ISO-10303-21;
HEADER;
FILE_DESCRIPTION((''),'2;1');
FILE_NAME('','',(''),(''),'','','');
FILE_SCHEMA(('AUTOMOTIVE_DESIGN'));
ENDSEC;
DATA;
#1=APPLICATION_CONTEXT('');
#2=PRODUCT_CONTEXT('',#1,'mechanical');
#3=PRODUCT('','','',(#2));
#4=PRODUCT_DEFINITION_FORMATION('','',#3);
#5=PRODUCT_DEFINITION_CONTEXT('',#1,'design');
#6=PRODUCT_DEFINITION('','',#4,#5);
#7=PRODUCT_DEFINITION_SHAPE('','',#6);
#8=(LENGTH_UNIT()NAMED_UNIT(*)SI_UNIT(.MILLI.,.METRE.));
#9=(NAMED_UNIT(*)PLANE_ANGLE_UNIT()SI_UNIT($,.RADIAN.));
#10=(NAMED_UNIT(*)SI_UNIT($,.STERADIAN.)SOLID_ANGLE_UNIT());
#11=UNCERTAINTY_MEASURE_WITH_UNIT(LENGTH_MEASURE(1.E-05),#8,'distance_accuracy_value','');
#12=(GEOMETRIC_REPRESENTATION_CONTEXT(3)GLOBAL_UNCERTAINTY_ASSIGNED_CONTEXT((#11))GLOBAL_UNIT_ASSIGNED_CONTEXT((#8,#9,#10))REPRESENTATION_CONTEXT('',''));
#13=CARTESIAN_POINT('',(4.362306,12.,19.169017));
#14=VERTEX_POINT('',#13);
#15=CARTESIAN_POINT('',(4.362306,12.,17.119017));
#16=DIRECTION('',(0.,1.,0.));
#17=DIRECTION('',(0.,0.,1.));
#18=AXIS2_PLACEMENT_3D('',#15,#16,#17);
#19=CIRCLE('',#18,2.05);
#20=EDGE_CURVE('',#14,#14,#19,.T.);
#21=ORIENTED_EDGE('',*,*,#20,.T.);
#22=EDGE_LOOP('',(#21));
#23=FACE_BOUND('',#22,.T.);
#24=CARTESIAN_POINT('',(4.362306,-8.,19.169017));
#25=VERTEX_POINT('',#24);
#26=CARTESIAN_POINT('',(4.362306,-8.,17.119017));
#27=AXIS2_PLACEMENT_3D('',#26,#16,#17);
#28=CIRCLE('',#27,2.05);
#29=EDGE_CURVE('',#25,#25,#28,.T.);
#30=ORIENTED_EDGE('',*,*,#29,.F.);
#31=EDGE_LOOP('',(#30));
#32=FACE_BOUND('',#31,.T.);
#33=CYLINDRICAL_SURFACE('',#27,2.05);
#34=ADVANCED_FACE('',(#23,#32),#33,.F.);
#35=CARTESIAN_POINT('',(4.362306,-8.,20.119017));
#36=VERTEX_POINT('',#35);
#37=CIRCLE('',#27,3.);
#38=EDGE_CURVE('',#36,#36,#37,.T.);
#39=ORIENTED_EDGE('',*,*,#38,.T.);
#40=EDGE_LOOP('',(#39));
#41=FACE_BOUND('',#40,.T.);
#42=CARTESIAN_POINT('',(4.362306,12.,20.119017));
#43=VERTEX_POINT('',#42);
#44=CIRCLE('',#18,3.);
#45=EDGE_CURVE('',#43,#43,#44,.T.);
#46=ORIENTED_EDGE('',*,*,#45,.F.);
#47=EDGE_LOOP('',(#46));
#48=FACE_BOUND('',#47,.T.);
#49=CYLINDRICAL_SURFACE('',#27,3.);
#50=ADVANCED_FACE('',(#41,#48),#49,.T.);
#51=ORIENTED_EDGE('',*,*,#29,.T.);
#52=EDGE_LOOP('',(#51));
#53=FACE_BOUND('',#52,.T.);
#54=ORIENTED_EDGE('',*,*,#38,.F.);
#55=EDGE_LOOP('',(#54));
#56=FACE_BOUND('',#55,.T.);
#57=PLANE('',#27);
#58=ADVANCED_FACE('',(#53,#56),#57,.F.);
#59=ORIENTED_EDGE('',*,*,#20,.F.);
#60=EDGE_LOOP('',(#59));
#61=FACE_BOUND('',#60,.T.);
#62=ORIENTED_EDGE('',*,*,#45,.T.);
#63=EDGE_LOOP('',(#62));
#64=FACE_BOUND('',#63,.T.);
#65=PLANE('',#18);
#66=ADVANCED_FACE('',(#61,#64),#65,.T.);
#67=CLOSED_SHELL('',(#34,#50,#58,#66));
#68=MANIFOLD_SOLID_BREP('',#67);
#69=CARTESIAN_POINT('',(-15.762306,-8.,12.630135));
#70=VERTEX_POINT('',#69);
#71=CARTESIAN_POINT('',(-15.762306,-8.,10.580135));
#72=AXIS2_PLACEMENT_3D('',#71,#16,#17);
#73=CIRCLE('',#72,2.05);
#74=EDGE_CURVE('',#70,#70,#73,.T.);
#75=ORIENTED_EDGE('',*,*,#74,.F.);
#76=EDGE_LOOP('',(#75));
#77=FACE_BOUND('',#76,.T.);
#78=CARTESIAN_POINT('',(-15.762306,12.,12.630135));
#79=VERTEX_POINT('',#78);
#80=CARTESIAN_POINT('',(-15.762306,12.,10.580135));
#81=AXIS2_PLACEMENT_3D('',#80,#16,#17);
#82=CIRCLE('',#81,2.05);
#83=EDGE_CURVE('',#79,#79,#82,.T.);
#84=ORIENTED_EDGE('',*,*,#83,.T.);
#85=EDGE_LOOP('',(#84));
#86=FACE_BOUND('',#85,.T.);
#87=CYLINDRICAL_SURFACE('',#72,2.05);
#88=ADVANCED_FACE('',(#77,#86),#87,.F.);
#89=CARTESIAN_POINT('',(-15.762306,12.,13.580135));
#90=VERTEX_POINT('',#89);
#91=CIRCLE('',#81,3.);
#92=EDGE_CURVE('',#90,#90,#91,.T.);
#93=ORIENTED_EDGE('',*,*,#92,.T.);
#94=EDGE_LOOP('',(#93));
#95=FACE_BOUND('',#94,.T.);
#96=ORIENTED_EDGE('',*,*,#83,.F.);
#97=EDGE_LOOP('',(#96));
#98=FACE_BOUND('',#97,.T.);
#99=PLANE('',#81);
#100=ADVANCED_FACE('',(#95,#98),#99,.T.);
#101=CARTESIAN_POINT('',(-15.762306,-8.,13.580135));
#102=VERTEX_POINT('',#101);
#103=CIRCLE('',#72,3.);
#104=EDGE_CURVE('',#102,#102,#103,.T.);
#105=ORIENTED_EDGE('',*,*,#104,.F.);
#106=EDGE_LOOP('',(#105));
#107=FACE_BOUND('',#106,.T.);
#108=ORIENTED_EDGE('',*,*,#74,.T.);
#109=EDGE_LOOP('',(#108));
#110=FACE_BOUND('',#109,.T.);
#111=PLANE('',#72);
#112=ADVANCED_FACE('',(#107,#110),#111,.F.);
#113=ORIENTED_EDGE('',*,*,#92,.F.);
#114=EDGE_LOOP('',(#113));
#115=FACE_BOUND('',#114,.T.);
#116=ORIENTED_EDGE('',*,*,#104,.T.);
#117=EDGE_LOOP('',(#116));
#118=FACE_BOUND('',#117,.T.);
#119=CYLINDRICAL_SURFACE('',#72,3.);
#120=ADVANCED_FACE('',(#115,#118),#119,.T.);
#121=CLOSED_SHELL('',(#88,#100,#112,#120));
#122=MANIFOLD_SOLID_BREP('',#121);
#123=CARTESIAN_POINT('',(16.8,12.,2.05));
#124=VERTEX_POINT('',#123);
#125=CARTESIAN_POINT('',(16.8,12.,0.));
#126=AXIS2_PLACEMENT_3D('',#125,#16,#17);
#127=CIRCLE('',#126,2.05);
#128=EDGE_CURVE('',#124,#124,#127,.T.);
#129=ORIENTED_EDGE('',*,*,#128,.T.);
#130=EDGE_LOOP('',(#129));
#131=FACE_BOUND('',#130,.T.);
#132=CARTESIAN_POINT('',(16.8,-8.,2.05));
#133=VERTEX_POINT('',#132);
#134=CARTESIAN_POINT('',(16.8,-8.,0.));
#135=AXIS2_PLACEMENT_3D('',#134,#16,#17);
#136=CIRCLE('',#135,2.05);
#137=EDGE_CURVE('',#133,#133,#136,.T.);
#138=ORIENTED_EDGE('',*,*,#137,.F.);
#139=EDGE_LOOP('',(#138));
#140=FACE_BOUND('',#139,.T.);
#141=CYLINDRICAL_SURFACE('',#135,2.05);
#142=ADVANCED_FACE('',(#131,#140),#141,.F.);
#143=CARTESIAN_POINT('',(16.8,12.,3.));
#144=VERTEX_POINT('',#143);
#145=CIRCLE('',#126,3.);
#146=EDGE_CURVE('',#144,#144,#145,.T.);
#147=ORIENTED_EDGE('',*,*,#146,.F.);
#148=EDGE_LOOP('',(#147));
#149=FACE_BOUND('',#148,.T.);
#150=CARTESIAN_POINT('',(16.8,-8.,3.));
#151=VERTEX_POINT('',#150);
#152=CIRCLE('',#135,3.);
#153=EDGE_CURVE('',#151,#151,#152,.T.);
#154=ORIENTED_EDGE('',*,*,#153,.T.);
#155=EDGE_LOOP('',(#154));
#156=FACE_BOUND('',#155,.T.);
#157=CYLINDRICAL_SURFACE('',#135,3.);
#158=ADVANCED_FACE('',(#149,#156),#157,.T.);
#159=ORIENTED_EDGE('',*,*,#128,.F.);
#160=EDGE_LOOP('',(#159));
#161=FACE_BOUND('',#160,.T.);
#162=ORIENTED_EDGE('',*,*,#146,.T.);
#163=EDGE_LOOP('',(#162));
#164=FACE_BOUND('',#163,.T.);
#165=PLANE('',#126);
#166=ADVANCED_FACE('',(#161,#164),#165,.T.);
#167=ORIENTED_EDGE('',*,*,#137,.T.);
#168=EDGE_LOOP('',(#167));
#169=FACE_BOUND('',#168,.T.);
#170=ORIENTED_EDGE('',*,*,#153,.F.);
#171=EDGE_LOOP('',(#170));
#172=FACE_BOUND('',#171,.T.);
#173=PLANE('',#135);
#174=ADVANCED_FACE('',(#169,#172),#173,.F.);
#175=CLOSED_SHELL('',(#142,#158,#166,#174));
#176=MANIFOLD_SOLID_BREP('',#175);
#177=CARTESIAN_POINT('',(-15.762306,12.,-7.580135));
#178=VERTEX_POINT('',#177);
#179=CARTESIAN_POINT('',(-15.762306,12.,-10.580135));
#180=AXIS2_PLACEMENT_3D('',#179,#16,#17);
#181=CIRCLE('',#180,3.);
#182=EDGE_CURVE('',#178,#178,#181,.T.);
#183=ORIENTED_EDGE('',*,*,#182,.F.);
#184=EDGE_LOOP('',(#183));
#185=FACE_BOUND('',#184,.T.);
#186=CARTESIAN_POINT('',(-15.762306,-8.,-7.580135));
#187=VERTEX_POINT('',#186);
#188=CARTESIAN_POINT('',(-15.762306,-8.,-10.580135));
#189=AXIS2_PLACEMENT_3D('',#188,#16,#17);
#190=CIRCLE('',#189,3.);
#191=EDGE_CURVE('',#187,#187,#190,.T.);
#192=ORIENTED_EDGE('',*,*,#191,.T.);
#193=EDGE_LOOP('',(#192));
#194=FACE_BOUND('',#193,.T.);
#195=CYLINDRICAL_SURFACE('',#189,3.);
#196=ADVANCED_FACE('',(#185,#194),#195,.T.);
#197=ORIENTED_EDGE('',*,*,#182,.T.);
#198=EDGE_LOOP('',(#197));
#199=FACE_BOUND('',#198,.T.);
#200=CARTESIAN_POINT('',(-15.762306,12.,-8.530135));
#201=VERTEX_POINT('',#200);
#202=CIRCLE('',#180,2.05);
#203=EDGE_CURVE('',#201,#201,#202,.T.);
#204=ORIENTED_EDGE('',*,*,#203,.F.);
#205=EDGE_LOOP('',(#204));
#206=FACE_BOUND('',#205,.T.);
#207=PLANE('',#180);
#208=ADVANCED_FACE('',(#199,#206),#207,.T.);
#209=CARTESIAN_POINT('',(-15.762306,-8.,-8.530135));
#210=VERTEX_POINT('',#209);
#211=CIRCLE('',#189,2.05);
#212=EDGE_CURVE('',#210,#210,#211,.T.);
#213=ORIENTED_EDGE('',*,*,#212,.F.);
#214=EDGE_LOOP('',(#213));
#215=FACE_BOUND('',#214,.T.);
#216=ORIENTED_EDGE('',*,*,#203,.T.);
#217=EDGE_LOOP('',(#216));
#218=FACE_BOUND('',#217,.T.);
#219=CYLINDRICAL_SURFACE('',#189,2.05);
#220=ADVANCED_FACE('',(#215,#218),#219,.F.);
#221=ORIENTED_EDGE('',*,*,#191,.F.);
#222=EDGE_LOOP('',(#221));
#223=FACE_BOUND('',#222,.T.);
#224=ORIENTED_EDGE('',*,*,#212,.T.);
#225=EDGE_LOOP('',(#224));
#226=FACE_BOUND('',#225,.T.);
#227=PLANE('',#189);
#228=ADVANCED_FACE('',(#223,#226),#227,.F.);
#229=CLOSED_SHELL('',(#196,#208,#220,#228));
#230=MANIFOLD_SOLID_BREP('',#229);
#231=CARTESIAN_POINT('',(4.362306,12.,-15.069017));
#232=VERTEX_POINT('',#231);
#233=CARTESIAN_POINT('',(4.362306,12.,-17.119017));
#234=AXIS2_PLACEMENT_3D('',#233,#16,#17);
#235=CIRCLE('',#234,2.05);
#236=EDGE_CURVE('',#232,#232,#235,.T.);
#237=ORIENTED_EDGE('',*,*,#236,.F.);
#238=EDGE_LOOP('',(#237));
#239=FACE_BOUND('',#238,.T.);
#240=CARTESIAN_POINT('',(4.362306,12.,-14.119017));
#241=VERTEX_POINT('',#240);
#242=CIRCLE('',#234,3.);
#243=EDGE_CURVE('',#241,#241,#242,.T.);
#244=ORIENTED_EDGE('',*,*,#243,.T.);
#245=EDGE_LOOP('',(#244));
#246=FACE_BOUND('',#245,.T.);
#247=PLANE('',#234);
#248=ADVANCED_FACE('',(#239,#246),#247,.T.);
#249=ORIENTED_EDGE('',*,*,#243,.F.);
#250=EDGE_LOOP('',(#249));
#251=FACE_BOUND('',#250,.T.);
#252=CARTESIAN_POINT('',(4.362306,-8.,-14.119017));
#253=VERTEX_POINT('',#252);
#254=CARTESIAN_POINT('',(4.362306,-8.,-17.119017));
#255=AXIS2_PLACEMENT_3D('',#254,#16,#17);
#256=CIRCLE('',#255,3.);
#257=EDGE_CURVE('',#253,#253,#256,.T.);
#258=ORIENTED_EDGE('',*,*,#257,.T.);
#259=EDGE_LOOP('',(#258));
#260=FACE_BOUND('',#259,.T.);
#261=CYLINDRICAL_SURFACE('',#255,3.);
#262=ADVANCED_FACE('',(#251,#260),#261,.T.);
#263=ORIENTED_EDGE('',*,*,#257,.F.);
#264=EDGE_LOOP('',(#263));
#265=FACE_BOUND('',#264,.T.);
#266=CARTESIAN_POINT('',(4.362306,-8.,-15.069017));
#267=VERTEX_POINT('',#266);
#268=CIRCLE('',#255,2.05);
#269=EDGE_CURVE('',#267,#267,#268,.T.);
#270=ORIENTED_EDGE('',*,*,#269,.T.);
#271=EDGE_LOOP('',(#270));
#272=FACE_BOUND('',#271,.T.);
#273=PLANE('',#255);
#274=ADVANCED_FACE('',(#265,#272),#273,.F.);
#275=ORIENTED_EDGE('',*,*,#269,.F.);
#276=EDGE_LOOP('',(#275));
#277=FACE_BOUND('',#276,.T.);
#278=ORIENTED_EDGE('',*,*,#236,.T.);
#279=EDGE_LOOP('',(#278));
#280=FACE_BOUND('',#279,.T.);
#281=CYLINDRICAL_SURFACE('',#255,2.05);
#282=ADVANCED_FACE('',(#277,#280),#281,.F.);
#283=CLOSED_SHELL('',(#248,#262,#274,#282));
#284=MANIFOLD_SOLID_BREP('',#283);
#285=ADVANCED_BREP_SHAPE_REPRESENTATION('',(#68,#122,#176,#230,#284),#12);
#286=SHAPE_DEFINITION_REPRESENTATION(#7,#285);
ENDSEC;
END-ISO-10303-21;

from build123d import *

# Parameters (mm, degrees)
BOSS_EXTRUDE1_DEPTH        = 12
BOSS_EXTRUDE1_DEPTH_BACK   = 8
SKETCH1_R                  = 3
SKETCH1_R_2                = 2.05
BOSS_EXTRUDE1_2_DEPTH      = 12
BOSS_EXTRUDE1_2_DEPTH_BACK = 8
BOSS_EXTRUDE1_3_DEPTH      = 12
BOSS_EXTRUDE1_3_DEPTH_BACK = 8
BOSS_EXTRUDE1_4_DEPTH      = 12
BOSS_EXTRUDE1_4_DEPTH_BACK = 8
BOSS_EXTRUDE1_5_DEPTH      = 12
BOSS_EXTRUDE1_5_DEPTH_BACK = 8


with BuildPart() as part:
    # Sketch1 → Boss-Extrude1 (new, two sides: drawn at the far end of the back side and taken through both)
    with BuildSketch(Plane(origin=(0, 0, 0), x_dir=(1, 0, 0), z_dir=(0, 1, 0)).offset(-BOSS_EXTRUDE1_DEPTH_BACK)):
        with Locations(Location((-15.762305899, -10.580134541, 0), (0, 0, 270))):
            Circle(SKETCH1_R)
        with Locations(Location((-15.762305899, -10.580134541, 0), (0, 0, 270))):
            Circle(SKETCH1_R_2, mode=Mode.SUBTRACT)
    extrude(amount=BOSS_EXTRUDE1_DEPTH + BOSS_EXTRUDE1_DEPTH_BACK)


with BuildPart() as body_2:
    # Sketch1 → Boss-Extrude1 2 (new, two sides: drawn at the far end of the back side and taken through both)
    with BuildSketch(Plane(origin=(0, 0, 0), x_dir=(1, 0, 0), z_dir=(0, 1, 0)).offset(-BOSS_EXTRUDE1_2_DEPTH_BACK)):
        with Locations(Location((4.362305899, -17.119017293, 0), (0, 0, 270))):
            Circle(SKETCH1_R)
        with Locations(Location((4.362305899, -17.119017293, 0), (0, 0, 270))):
            Circle(SKETCH1_R_2, mode=Mode.SUBTRACT)
    extrude(amount=BOSS_EXTRUDE1_2_DEPTH + BOSS_EXTRUDE1_2_DEPTH_BACK)


with BuildPart() as body_3:
    # Sketch1 → Boss-Extrude1 3 (new, two sides: drawn at the far end of the back side and taken through both)
    with BuildSketch(Plane(origin=(0, 0, 0), x_dir=(1, 0, 0), z_dir=(0, 1, 0)).offset(-BOSS_EXTRUDE1_3_DEPTH_BACK)):
        with Locations(Location((16.8, 0, 0), (0, 0, 270))):
            Circle(SKETCH1_R)
        with Locations(Location((16.8, 0, 0), (0, 0, 270))):
            Circle(SKETCH1_R_2, mode=Mode.SUBTRACT)
    extrude(amount=BOSS_EXTRUDE1_3_DEPTH + BOSS_EXTRUDE1_3_DEPTH_BACK)


with BuildPart() as body_4:
    # Sketch1 → Boss-Extrude1 4 (new, two sides: drawn at the far end of the back side and taken through both)
    with BuildSketch(Plane(origin=(0, 0, 0), x_dir=(1, 0, 0), z_dir=(0, 1, 0)).offset(-BOSS_EXTRUDE1_4_DEPTH_BACK)):
        with Locations(Location((-15.762305899, 10.580134541, 0), (0, 0, 270))):
            Circle(SKETCH1_R)
        with Locations(Location((-15.762305899, 10.580134541, 0), (0, 0, 270))):
            Circle(SKETCH1_R_2, mode=Mode.SUBTRACT)
    extrude(amount=BOSS_EXTRUDE1_4_DEPTH + BOSS_EXTRUDE1_4_DEPTH_BACK)


with BuildPart() as body_5:
    # Sketch1 → Boss-Extrude1 5 (new, two sides: drawn at the far end of the back side and taken through both)
    with BuildSketch(Plane(origin=(0, 0, 0), x_dir=(1, 0, 0), z_dir=(0, 1, 0)).offset(-BOSS_EXTRUDE1_5_DEPTH_BACK)):
        with Locations(Location((4.362305899, 17.119017293, 0), (0, 0, 270))):
            Circle(SKETCH1_R)
        with Locations(Location((4.362305899, 17.119017293, 0), (0, 0, 270))):
            Circle(SKETCH1_R_2, mode=Mode.SUBTRACT)
    extrude(amount=BOSS_EXTRUDE1_5_DEPTH + BOSS_EXTRUDE1_5_DEPTH_BACK)


solid = Compound([part.part, body_2.part, body_3.part, body_4.part, body_5.part])
